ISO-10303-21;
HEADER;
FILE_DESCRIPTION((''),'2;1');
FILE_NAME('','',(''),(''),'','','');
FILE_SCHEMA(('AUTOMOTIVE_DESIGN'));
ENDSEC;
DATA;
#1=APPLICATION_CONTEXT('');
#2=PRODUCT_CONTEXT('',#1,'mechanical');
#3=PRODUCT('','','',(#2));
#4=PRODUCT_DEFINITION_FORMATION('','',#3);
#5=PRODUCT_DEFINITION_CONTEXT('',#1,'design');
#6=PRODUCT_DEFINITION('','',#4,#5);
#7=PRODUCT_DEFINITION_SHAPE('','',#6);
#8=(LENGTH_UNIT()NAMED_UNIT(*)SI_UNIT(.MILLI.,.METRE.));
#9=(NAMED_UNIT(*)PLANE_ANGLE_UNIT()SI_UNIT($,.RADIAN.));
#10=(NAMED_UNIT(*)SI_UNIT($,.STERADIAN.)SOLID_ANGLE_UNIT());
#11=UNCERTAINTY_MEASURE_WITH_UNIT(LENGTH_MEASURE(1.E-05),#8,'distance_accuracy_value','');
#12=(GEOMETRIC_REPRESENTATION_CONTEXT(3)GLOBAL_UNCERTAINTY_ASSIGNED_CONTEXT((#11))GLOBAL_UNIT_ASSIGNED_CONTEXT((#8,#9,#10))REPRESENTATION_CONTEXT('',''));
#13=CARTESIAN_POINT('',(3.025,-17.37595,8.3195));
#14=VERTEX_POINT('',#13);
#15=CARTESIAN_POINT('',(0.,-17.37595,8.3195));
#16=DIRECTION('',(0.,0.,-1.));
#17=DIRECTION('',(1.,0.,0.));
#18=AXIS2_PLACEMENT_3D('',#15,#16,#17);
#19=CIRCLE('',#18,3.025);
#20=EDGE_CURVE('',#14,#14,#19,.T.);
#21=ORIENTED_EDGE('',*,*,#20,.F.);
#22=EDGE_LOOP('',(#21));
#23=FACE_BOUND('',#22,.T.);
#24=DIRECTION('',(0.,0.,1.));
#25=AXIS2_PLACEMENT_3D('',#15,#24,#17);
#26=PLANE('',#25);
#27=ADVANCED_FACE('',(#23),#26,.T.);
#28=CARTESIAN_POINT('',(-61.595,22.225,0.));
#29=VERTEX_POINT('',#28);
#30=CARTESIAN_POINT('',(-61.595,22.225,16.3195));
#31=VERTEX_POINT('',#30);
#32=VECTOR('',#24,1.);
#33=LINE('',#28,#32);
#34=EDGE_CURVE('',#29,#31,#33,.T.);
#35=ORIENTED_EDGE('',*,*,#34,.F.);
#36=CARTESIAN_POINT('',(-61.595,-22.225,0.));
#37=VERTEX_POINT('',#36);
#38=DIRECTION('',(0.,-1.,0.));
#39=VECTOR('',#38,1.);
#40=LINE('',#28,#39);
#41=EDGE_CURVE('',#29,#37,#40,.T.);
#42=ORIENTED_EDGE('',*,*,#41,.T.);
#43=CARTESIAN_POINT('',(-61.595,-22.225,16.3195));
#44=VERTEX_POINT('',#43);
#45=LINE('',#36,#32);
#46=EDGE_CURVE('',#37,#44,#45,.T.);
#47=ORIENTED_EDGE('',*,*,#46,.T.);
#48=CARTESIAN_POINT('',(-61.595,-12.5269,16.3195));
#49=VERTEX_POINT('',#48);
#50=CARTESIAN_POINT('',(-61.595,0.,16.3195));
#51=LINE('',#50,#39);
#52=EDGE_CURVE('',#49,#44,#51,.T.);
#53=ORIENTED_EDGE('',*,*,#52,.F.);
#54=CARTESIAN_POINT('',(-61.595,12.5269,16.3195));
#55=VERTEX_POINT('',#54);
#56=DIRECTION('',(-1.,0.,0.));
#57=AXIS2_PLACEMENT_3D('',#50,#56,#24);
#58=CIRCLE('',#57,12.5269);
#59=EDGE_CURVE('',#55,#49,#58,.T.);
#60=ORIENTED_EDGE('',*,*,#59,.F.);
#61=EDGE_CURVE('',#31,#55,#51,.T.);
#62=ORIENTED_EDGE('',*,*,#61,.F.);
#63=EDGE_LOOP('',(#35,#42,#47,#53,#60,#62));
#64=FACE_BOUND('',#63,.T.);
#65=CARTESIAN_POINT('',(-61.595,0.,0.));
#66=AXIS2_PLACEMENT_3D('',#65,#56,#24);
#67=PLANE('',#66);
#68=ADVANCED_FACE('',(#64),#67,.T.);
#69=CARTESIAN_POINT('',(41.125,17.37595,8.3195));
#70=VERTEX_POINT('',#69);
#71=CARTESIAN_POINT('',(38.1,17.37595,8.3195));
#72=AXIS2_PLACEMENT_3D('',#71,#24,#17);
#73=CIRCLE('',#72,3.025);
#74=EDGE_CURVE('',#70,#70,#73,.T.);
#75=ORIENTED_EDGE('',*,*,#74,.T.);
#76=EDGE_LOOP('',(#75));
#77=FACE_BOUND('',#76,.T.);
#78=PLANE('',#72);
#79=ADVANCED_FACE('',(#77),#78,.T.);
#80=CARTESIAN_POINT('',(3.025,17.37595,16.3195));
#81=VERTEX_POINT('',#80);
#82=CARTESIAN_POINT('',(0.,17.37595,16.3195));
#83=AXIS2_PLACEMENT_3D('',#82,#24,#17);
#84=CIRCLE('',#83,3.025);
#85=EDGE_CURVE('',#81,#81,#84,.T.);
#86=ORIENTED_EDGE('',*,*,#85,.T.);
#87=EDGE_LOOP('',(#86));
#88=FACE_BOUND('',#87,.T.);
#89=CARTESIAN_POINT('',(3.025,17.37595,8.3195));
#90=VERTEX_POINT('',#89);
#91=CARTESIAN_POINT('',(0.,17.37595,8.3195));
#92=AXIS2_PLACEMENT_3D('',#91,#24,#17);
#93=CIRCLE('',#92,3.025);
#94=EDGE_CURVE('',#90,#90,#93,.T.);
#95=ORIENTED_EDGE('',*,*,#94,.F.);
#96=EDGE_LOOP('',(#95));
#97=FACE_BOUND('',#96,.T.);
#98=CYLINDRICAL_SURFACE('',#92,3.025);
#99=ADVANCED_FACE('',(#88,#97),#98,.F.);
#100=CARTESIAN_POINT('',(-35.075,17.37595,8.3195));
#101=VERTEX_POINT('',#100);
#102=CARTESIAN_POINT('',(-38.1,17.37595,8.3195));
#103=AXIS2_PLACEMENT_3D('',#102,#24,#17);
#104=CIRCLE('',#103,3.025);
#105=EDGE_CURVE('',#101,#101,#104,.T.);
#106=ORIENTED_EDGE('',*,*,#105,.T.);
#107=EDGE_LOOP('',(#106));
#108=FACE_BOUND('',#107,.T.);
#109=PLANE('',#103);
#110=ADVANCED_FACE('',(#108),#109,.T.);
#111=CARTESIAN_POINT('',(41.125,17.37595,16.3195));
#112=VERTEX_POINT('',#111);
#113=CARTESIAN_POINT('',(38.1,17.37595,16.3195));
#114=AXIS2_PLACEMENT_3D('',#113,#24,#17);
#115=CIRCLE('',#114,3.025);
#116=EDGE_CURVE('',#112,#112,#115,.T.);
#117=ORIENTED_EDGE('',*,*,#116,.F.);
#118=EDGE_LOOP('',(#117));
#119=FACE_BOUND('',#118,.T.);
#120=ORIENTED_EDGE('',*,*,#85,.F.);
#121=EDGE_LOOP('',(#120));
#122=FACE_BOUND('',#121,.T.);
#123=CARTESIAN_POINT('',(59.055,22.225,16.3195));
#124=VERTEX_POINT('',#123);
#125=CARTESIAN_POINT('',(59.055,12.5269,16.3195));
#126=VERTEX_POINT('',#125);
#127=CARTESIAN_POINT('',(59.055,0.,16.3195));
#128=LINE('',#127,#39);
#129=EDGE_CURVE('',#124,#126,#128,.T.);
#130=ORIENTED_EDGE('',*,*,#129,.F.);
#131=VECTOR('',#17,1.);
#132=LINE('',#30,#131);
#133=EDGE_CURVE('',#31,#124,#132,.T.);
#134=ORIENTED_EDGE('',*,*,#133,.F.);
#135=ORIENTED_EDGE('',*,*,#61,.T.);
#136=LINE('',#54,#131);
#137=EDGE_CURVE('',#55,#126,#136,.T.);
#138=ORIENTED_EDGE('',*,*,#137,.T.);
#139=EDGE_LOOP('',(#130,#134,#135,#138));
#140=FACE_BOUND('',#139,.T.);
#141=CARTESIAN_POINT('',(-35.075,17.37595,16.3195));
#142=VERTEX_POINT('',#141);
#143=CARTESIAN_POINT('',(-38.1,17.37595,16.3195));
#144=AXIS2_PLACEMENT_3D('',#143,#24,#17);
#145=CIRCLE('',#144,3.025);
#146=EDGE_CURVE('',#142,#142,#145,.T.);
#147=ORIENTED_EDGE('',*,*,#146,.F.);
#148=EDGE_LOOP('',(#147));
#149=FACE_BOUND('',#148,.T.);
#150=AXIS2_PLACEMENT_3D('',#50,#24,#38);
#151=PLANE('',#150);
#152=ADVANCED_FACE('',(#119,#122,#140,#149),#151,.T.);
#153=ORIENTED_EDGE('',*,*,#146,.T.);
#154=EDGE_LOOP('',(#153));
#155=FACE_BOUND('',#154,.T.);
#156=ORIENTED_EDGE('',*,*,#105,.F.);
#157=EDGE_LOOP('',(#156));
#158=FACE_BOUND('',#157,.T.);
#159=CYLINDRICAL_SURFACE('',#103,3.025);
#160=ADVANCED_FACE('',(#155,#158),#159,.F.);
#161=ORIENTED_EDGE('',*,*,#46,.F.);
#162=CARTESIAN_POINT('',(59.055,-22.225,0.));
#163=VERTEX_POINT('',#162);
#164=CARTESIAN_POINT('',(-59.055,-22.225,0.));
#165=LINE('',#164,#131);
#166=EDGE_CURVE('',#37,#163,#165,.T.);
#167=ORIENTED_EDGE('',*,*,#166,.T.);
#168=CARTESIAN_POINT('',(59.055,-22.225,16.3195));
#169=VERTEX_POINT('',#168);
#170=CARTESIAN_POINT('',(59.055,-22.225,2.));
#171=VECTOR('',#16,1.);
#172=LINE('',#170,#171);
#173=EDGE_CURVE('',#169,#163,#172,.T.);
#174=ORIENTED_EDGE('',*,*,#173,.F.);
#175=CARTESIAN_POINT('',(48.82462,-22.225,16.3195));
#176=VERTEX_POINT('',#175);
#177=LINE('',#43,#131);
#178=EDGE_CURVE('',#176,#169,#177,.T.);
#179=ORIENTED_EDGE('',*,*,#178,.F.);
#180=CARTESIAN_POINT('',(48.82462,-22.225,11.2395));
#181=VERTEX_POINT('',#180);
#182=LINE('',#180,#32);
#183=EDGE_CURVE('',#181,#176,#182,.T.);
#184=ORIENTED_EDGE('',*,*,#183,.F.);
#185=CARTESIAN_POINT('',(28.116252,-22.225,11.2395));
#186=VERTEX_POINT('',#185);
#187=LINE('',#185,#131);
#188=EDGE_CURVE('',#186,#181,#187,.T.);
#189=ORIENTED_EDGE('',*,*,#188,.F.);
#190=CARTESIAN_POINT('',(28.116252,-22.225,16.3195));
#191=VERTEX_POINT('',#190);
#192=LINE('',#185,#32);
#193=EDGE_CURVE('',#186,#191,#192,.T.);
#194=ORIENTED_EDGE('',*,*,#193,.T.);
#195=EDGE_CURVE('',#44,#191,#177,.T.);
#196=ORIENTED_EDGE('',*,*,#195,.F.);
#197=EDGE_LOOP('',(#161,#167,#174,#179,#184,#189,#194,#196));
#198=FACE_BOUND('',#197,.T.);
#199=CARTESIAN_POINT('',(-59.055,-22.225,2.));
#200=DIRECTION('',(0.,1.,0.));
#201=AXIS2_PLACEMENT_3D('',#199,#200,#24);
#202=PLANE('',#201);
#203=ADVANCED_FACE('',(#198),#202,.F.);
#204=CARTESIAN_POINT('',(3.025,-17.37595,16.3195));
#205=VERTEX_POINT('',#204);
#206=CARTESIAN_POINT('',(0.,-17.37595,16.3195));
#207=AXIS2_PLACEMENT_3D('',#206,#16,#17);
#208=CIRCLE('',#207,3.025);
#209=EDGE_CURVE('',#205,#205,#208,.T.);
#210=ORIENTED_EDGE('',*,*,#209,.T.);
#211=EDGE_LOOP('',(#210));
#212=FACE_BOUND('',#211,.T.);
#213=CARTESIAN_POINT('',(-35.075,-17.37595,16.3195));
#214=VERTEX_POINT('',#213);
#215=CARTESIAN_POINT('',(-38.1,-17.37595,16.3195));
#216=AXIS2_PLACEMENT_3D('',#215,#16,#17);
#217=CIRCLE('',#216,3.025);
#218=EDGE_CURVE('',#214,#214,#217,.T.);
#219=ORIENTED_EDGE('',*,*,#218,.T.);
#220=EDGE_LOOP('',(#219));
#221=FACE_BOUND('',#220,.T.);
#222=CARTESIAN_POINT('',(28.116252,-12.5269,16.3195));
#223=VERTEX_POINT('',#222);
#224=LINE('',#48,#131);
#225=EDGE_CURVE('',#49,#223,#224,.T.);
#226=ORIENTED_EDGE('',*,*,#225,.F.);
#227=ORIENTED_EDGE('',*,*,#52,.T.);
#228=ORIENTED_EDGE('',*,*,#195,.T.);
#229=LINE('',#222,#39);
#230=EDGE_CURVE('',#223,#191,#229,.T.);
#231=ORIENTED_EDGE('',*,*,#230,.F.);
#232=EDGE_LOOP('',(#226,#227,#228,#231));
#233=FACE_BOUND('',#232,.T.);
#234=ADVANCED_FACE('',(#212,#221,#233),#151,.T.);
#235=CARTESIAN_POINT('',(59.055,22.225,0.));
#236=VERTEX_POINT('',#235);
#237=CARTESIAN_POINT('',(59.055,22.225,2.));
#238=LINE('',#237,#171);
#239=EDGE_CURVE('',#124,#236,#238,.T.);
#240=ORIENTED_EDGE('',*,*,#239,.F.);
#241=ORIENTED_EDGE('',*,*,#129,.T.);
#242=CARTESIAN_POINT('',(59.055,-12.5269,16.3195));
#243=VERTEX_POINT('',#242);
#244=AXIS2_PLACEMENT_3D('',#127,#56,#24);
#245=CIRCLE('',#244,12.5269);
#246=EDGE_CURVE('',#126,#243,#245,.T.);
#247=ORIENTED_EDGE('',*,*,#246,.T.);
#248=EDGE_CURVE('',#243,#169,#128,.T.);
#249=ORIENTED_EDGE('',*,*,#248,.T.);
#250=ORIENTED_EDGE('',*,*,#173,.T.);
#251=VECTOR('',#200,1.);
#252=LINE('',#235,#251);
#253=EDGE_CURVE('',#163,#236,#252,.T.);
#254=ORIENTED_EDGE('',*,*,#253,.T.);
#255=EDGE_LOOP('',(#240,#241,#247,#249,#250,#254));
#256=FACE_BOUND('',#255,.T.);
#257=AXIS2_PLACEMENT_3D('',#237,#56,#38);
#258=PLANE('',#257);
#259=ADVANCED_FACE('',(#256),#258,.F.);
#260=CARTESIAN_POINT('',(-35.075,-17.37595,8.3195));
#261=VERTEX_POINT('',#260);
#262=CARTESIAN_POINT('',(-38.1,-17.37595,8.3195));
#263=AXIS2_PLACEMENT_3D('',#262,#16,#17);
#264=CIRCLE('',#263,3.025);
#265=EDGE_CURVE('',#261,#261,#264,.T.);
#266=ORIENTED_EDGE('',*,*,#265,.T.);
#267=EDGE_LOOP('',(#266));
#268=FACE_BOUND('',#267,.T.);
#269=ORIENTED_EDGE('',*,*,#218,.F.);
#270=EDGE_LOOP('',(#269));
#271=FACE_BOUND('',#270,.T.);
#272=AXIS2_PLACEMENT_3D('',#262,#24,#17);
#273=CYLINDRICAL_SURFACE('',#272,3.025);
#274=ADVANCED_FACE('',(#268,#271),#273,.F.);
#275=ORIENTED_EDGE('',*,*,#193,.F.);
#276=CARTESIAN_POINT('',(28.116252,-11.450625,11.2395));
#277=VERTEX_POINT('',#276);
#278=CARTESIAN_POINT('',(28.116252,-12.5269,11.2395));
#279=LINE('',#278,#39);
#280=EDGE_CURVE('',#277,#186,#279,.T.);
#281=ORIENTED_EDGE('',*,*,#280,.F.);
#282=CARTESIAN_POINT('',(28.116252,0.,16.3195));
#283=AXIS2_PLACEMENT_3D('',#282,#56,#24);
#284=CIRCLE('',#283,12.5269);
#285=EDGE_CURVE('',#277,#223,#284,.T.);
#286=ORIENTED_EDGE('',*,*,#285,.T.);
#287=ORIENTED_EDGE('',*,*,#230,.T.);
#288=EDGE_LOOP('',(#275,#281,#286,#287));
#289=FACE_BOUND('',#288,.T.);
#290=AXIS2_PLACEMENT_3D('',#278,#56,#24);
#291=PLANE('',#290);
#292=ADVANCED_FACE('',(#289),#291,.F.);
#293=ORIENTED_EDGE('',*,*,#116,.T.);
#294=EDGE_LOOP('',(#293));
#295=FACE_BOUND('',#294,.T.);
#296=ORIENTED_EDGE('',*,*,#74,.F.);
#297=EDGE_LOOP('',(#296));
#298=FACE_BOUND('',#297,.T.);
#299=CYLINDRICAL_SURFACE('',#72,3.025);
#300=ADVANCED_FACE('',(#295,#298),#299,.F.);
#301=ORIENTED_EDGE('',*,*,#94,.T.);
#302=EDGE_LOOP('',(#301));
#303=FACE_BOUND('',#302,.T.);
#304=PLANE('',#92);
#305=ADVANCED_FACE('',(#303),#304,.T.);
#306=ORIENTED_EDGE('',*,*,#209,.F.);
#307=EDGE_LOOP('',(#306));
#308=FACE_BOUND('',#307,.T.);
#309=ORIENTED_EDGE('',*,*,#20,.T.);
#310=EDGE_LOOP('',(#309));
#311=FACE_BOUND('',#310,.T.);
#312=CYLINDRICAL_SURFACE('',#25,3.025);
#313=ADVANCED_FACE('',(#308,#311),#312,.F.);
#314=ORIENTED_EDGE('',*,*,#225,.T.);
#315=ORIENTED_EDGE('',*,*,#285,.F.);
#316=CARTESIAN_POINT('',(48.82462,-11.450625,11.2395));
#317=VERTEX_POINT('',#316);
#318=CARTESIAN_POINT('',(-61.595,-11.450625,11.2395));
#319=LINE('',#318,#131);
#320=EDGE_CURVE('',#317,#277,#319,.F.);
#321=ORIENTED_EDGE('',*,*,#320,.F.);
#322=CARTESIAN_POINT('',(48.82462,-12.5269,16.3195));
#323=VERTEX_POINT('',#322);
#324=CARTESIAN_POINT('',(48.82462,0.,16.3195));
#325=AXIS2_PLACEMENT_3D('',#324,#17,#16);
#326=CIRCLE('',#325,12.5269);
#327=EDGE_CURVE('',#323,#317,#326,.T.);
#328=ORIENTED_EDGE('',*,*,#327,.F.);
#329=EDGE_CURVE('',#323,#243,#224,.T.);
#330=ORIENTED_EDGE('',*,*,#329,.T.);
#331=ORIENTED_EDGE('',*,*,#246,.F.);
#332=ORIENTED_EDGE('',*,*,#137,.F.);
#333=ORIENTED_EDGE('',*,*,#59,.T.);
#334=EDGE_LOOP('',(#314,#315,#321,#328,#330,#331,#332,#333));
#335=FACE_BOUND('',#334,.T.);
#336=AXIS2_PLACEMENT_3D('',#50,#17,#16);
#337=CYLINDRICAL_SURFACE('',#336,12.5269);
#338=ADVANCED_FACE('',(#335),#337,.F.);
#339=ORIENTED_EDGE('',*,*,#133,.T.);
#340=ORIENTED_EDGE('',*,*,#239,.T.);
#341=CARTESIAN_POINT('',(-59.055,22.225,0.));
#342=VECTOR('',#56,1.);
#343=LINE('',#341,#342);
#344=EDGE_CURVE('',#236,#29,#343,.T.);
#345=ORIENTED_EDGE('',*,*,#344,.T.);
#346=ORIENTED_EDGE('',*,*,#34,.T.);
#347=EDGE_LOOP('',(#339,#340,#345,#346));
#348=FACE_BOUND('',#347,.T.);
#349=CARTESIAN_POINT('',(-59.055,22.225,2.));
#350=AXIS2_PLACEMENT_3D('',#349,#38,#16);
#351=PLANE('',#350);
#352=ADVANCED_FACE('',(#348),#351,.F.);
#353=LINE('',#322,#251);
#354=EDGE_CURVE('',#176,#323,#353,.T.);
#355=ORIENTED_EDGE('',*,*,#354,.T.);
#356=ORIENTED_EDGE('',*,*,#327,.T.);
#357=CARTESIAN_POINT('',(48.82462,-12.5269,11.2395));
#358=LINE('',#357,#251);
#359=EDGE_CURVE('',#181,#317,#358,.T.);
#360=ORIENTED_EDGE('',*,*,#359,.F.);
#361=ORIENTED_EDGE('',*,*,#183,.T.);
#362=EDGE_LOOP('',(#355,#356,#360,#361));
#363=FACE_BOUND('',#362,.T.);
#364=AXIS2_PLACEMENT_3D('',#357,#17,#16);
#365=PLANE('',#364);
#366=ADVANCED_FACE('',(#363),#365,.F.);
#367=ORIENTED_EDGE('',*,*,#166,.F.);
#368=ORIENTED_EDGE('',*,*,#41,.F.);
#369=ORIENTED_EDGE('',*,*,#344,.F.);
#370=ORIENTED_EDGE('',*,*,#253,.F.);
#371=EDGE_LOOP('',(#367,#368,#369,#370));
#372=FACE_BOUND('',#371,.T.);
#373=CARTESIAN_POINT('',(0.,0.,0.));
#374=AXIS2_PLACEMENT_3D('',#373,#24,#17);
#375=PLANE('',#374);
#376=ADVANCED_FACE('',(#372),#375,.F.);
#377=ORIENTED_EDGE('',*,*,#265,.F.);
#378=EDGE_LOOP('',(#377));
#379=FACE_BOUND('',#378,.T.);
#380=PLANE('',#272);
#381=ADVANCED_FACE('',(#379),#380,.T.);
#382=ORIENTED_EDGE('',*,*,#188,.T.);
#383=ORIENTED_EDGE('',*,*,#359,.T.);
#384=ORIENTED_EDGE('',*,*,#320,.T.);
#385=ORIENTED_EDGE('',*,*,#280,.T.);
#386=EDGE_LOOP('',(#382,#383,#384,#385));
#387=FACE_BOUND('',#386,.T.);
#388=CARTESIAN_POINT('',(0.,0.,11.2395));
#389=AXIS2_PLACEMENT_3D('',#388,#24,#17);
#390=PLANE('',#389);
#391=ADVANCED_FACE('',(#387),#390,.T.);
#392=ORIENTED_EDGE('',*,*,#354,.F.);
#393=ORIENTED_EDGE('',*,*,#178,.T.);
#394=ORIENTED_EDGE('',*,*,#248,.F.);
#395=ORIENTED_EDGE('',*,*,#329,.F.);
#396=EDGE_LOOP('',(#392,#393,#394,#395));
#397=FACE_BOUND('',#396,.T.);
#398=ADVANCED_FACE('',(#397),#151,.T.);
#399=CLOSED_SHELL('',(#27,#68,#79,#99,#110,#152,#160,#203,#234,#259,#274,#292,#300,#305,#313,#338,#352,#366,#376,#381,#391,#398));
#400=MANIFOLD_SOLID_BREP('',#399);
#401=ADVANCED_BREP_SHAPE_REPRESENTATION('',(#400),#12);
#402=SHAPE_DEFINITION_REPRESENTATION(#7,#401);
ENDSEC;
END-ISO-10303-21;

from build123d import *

# Parameters (mm, degrees)
SKETCH1_W                = 118.11
SKETCH1_H                = 44.45
BOSS_EXTRUDE1_DEPTH      = 2
BOSS_EXTRUDE2_DEPTH      = 2.54
BOSS_EXTRUDE2_DEPTH_BACK = 118.11
SKETCH3_R                = 3.025
CUT_EXTRUDE1_DEPTH       = 8
SKETCH11_W               = 20.708368279
SKETCH11_H               = 9.6981
CUT_EXTRUDE4_DEPTH       = 5.08
SKETCH12_W               = 20.708368279
SKETCH12_H               = 5.08
CUT_EXTRUDE5_DEPTH       = 2.54
LPATTERN1_COUNT          = 2
LPATTERN1_PITCH          = 38.1
MIRROR1_COPY_1_SKETCH_R  = 3.025
MIRROR1_COPY_1_DEPTH     = 8
LPATTERN2_COUNT          = 2
LPATTERN2_PITCH          = 38.1
SKETCH16_W               = 2
SKETCH16_H               = 44.45
BOSS_EXTRUDE5_DEPTH      = 2.54


with BuildPart() as part:
    # Sketch1 → Boss-Extrude1 (new body)
    with BuildSketch(Plane.XY):
        Rectangle(SKETCH1_W, SKETCH1_H)
    extrude(amount=BOSS_EXTRUDE1_DEPTH)

    # Sketch2 → Boss-Extrude2 (add, two sides: drawn at the far end of the back side and taken through both)
    with BuildSketch(Plane.ZY.offset(59.055).offset(-BOSS_EXTRUDE2_DEPTH_BACK)):
        with BuildLine():
            Line((16.3195, 22.225), (2, 22.225))
            Line((2, 22.225), (2, -22.225))
            Line((2, -22.225), (16.3195, -22.225))
            Line((16.3195, -22.225), (16.3195, -12.5269))
            ThreePointArc((16.3195, -12.5269), (3.7926, 0), (16.3195, 12.5269))
            Line((16.3195, 12.5269), (16.3195, 22.225))
        make_face()
    extrude(amount=BOSS_EXTRUDE2_DEPTH + BOSS_EXTRUDE2_DEPTH_BACK)

    # Sketch3 → Cut-Extrude1 (cut)
    with BuildSketch(Plane.XY.offset(16.3195)):
        with Locations((0, 17.37595)):
            Circle(SKETCH3_R)
    cut_extrude1 = extrude(amount=-CUT_EXTRUDE1_DEPTH, mode=Mode.SUBTRACT)

    # Sketch11 → Cut-Extrude4 (cut)
    with BuildSketch(Plane.XY.offset(16.3195)):
        with Locations((38.470435787, -17.37595)):
            Rectangle(SKETCH11_W, SKETCH11_H)
    extrude(amount=-CUT_EXTRUDE4_DEPTH, mode=Mode.SUBTRACT)

    # Sketch12 → Cut-Extrude5 (cut)
    with BuildSketch(Plane.XZ.offset(12.5269)):
        with Locations((38.470435787, 13.7795)):
            Rectangle(SKETCH12_W, SKETCH12_H)
    extrude(amount=-CUT_EXTRUDE5_DEPTH, mode=Mode.SUBTRACT)

    # LPattern1: Cut-Extrude1 ×2
    with Locations(*[(-i * LPATTERN1_PITCH, 0, 0) for i in range(1, LPATTERN1_COUNT)]):
        add(cut_extrude1, mode=Mode.SUBTRACT)

    # Mirror1: Cut-Extrude1 across plane
    add(cut_extrude1.mirror(Plane.ZX), mode=Mode.SUBTRACT)

    # Mirror1 copy 1 sketch → Mirror1 copy 1 (cut)
    with BuildSketch(Plane(origin=(-38.1, 0, 16.3195), x_dir=(1, 0, 0), z_dir=(0, 0, 1))):
        with Locations((0, -17.37595)):
            Circle(MIRROR1_COPY_1_SKETCH_R)
    extrude(amount=-MIRROR1_COPY_1_DEPTH, mode=Mode.SUBTRACT)

    # LPattern2: Cut-Extrude1 ×2
    with Locations(*[(i * LPATTERN2_PITCH, 0, 0) for i in range(1, LPATTERN2_COUNT)]):
        add(cut_extrude1, mode=Mode.SUBTRACT)

    # Sketch16 → Boss-Extrude5 (add)
    with BuildSketch(Plane.ZY.offset(59.055)):
        with Locations((1, 0)):
            Rectangle(SKETCH16_W, SKETCH16_H)
    extrude(amount=BOSS_EXTRUDE5_DEPTH)


solid = part.part
